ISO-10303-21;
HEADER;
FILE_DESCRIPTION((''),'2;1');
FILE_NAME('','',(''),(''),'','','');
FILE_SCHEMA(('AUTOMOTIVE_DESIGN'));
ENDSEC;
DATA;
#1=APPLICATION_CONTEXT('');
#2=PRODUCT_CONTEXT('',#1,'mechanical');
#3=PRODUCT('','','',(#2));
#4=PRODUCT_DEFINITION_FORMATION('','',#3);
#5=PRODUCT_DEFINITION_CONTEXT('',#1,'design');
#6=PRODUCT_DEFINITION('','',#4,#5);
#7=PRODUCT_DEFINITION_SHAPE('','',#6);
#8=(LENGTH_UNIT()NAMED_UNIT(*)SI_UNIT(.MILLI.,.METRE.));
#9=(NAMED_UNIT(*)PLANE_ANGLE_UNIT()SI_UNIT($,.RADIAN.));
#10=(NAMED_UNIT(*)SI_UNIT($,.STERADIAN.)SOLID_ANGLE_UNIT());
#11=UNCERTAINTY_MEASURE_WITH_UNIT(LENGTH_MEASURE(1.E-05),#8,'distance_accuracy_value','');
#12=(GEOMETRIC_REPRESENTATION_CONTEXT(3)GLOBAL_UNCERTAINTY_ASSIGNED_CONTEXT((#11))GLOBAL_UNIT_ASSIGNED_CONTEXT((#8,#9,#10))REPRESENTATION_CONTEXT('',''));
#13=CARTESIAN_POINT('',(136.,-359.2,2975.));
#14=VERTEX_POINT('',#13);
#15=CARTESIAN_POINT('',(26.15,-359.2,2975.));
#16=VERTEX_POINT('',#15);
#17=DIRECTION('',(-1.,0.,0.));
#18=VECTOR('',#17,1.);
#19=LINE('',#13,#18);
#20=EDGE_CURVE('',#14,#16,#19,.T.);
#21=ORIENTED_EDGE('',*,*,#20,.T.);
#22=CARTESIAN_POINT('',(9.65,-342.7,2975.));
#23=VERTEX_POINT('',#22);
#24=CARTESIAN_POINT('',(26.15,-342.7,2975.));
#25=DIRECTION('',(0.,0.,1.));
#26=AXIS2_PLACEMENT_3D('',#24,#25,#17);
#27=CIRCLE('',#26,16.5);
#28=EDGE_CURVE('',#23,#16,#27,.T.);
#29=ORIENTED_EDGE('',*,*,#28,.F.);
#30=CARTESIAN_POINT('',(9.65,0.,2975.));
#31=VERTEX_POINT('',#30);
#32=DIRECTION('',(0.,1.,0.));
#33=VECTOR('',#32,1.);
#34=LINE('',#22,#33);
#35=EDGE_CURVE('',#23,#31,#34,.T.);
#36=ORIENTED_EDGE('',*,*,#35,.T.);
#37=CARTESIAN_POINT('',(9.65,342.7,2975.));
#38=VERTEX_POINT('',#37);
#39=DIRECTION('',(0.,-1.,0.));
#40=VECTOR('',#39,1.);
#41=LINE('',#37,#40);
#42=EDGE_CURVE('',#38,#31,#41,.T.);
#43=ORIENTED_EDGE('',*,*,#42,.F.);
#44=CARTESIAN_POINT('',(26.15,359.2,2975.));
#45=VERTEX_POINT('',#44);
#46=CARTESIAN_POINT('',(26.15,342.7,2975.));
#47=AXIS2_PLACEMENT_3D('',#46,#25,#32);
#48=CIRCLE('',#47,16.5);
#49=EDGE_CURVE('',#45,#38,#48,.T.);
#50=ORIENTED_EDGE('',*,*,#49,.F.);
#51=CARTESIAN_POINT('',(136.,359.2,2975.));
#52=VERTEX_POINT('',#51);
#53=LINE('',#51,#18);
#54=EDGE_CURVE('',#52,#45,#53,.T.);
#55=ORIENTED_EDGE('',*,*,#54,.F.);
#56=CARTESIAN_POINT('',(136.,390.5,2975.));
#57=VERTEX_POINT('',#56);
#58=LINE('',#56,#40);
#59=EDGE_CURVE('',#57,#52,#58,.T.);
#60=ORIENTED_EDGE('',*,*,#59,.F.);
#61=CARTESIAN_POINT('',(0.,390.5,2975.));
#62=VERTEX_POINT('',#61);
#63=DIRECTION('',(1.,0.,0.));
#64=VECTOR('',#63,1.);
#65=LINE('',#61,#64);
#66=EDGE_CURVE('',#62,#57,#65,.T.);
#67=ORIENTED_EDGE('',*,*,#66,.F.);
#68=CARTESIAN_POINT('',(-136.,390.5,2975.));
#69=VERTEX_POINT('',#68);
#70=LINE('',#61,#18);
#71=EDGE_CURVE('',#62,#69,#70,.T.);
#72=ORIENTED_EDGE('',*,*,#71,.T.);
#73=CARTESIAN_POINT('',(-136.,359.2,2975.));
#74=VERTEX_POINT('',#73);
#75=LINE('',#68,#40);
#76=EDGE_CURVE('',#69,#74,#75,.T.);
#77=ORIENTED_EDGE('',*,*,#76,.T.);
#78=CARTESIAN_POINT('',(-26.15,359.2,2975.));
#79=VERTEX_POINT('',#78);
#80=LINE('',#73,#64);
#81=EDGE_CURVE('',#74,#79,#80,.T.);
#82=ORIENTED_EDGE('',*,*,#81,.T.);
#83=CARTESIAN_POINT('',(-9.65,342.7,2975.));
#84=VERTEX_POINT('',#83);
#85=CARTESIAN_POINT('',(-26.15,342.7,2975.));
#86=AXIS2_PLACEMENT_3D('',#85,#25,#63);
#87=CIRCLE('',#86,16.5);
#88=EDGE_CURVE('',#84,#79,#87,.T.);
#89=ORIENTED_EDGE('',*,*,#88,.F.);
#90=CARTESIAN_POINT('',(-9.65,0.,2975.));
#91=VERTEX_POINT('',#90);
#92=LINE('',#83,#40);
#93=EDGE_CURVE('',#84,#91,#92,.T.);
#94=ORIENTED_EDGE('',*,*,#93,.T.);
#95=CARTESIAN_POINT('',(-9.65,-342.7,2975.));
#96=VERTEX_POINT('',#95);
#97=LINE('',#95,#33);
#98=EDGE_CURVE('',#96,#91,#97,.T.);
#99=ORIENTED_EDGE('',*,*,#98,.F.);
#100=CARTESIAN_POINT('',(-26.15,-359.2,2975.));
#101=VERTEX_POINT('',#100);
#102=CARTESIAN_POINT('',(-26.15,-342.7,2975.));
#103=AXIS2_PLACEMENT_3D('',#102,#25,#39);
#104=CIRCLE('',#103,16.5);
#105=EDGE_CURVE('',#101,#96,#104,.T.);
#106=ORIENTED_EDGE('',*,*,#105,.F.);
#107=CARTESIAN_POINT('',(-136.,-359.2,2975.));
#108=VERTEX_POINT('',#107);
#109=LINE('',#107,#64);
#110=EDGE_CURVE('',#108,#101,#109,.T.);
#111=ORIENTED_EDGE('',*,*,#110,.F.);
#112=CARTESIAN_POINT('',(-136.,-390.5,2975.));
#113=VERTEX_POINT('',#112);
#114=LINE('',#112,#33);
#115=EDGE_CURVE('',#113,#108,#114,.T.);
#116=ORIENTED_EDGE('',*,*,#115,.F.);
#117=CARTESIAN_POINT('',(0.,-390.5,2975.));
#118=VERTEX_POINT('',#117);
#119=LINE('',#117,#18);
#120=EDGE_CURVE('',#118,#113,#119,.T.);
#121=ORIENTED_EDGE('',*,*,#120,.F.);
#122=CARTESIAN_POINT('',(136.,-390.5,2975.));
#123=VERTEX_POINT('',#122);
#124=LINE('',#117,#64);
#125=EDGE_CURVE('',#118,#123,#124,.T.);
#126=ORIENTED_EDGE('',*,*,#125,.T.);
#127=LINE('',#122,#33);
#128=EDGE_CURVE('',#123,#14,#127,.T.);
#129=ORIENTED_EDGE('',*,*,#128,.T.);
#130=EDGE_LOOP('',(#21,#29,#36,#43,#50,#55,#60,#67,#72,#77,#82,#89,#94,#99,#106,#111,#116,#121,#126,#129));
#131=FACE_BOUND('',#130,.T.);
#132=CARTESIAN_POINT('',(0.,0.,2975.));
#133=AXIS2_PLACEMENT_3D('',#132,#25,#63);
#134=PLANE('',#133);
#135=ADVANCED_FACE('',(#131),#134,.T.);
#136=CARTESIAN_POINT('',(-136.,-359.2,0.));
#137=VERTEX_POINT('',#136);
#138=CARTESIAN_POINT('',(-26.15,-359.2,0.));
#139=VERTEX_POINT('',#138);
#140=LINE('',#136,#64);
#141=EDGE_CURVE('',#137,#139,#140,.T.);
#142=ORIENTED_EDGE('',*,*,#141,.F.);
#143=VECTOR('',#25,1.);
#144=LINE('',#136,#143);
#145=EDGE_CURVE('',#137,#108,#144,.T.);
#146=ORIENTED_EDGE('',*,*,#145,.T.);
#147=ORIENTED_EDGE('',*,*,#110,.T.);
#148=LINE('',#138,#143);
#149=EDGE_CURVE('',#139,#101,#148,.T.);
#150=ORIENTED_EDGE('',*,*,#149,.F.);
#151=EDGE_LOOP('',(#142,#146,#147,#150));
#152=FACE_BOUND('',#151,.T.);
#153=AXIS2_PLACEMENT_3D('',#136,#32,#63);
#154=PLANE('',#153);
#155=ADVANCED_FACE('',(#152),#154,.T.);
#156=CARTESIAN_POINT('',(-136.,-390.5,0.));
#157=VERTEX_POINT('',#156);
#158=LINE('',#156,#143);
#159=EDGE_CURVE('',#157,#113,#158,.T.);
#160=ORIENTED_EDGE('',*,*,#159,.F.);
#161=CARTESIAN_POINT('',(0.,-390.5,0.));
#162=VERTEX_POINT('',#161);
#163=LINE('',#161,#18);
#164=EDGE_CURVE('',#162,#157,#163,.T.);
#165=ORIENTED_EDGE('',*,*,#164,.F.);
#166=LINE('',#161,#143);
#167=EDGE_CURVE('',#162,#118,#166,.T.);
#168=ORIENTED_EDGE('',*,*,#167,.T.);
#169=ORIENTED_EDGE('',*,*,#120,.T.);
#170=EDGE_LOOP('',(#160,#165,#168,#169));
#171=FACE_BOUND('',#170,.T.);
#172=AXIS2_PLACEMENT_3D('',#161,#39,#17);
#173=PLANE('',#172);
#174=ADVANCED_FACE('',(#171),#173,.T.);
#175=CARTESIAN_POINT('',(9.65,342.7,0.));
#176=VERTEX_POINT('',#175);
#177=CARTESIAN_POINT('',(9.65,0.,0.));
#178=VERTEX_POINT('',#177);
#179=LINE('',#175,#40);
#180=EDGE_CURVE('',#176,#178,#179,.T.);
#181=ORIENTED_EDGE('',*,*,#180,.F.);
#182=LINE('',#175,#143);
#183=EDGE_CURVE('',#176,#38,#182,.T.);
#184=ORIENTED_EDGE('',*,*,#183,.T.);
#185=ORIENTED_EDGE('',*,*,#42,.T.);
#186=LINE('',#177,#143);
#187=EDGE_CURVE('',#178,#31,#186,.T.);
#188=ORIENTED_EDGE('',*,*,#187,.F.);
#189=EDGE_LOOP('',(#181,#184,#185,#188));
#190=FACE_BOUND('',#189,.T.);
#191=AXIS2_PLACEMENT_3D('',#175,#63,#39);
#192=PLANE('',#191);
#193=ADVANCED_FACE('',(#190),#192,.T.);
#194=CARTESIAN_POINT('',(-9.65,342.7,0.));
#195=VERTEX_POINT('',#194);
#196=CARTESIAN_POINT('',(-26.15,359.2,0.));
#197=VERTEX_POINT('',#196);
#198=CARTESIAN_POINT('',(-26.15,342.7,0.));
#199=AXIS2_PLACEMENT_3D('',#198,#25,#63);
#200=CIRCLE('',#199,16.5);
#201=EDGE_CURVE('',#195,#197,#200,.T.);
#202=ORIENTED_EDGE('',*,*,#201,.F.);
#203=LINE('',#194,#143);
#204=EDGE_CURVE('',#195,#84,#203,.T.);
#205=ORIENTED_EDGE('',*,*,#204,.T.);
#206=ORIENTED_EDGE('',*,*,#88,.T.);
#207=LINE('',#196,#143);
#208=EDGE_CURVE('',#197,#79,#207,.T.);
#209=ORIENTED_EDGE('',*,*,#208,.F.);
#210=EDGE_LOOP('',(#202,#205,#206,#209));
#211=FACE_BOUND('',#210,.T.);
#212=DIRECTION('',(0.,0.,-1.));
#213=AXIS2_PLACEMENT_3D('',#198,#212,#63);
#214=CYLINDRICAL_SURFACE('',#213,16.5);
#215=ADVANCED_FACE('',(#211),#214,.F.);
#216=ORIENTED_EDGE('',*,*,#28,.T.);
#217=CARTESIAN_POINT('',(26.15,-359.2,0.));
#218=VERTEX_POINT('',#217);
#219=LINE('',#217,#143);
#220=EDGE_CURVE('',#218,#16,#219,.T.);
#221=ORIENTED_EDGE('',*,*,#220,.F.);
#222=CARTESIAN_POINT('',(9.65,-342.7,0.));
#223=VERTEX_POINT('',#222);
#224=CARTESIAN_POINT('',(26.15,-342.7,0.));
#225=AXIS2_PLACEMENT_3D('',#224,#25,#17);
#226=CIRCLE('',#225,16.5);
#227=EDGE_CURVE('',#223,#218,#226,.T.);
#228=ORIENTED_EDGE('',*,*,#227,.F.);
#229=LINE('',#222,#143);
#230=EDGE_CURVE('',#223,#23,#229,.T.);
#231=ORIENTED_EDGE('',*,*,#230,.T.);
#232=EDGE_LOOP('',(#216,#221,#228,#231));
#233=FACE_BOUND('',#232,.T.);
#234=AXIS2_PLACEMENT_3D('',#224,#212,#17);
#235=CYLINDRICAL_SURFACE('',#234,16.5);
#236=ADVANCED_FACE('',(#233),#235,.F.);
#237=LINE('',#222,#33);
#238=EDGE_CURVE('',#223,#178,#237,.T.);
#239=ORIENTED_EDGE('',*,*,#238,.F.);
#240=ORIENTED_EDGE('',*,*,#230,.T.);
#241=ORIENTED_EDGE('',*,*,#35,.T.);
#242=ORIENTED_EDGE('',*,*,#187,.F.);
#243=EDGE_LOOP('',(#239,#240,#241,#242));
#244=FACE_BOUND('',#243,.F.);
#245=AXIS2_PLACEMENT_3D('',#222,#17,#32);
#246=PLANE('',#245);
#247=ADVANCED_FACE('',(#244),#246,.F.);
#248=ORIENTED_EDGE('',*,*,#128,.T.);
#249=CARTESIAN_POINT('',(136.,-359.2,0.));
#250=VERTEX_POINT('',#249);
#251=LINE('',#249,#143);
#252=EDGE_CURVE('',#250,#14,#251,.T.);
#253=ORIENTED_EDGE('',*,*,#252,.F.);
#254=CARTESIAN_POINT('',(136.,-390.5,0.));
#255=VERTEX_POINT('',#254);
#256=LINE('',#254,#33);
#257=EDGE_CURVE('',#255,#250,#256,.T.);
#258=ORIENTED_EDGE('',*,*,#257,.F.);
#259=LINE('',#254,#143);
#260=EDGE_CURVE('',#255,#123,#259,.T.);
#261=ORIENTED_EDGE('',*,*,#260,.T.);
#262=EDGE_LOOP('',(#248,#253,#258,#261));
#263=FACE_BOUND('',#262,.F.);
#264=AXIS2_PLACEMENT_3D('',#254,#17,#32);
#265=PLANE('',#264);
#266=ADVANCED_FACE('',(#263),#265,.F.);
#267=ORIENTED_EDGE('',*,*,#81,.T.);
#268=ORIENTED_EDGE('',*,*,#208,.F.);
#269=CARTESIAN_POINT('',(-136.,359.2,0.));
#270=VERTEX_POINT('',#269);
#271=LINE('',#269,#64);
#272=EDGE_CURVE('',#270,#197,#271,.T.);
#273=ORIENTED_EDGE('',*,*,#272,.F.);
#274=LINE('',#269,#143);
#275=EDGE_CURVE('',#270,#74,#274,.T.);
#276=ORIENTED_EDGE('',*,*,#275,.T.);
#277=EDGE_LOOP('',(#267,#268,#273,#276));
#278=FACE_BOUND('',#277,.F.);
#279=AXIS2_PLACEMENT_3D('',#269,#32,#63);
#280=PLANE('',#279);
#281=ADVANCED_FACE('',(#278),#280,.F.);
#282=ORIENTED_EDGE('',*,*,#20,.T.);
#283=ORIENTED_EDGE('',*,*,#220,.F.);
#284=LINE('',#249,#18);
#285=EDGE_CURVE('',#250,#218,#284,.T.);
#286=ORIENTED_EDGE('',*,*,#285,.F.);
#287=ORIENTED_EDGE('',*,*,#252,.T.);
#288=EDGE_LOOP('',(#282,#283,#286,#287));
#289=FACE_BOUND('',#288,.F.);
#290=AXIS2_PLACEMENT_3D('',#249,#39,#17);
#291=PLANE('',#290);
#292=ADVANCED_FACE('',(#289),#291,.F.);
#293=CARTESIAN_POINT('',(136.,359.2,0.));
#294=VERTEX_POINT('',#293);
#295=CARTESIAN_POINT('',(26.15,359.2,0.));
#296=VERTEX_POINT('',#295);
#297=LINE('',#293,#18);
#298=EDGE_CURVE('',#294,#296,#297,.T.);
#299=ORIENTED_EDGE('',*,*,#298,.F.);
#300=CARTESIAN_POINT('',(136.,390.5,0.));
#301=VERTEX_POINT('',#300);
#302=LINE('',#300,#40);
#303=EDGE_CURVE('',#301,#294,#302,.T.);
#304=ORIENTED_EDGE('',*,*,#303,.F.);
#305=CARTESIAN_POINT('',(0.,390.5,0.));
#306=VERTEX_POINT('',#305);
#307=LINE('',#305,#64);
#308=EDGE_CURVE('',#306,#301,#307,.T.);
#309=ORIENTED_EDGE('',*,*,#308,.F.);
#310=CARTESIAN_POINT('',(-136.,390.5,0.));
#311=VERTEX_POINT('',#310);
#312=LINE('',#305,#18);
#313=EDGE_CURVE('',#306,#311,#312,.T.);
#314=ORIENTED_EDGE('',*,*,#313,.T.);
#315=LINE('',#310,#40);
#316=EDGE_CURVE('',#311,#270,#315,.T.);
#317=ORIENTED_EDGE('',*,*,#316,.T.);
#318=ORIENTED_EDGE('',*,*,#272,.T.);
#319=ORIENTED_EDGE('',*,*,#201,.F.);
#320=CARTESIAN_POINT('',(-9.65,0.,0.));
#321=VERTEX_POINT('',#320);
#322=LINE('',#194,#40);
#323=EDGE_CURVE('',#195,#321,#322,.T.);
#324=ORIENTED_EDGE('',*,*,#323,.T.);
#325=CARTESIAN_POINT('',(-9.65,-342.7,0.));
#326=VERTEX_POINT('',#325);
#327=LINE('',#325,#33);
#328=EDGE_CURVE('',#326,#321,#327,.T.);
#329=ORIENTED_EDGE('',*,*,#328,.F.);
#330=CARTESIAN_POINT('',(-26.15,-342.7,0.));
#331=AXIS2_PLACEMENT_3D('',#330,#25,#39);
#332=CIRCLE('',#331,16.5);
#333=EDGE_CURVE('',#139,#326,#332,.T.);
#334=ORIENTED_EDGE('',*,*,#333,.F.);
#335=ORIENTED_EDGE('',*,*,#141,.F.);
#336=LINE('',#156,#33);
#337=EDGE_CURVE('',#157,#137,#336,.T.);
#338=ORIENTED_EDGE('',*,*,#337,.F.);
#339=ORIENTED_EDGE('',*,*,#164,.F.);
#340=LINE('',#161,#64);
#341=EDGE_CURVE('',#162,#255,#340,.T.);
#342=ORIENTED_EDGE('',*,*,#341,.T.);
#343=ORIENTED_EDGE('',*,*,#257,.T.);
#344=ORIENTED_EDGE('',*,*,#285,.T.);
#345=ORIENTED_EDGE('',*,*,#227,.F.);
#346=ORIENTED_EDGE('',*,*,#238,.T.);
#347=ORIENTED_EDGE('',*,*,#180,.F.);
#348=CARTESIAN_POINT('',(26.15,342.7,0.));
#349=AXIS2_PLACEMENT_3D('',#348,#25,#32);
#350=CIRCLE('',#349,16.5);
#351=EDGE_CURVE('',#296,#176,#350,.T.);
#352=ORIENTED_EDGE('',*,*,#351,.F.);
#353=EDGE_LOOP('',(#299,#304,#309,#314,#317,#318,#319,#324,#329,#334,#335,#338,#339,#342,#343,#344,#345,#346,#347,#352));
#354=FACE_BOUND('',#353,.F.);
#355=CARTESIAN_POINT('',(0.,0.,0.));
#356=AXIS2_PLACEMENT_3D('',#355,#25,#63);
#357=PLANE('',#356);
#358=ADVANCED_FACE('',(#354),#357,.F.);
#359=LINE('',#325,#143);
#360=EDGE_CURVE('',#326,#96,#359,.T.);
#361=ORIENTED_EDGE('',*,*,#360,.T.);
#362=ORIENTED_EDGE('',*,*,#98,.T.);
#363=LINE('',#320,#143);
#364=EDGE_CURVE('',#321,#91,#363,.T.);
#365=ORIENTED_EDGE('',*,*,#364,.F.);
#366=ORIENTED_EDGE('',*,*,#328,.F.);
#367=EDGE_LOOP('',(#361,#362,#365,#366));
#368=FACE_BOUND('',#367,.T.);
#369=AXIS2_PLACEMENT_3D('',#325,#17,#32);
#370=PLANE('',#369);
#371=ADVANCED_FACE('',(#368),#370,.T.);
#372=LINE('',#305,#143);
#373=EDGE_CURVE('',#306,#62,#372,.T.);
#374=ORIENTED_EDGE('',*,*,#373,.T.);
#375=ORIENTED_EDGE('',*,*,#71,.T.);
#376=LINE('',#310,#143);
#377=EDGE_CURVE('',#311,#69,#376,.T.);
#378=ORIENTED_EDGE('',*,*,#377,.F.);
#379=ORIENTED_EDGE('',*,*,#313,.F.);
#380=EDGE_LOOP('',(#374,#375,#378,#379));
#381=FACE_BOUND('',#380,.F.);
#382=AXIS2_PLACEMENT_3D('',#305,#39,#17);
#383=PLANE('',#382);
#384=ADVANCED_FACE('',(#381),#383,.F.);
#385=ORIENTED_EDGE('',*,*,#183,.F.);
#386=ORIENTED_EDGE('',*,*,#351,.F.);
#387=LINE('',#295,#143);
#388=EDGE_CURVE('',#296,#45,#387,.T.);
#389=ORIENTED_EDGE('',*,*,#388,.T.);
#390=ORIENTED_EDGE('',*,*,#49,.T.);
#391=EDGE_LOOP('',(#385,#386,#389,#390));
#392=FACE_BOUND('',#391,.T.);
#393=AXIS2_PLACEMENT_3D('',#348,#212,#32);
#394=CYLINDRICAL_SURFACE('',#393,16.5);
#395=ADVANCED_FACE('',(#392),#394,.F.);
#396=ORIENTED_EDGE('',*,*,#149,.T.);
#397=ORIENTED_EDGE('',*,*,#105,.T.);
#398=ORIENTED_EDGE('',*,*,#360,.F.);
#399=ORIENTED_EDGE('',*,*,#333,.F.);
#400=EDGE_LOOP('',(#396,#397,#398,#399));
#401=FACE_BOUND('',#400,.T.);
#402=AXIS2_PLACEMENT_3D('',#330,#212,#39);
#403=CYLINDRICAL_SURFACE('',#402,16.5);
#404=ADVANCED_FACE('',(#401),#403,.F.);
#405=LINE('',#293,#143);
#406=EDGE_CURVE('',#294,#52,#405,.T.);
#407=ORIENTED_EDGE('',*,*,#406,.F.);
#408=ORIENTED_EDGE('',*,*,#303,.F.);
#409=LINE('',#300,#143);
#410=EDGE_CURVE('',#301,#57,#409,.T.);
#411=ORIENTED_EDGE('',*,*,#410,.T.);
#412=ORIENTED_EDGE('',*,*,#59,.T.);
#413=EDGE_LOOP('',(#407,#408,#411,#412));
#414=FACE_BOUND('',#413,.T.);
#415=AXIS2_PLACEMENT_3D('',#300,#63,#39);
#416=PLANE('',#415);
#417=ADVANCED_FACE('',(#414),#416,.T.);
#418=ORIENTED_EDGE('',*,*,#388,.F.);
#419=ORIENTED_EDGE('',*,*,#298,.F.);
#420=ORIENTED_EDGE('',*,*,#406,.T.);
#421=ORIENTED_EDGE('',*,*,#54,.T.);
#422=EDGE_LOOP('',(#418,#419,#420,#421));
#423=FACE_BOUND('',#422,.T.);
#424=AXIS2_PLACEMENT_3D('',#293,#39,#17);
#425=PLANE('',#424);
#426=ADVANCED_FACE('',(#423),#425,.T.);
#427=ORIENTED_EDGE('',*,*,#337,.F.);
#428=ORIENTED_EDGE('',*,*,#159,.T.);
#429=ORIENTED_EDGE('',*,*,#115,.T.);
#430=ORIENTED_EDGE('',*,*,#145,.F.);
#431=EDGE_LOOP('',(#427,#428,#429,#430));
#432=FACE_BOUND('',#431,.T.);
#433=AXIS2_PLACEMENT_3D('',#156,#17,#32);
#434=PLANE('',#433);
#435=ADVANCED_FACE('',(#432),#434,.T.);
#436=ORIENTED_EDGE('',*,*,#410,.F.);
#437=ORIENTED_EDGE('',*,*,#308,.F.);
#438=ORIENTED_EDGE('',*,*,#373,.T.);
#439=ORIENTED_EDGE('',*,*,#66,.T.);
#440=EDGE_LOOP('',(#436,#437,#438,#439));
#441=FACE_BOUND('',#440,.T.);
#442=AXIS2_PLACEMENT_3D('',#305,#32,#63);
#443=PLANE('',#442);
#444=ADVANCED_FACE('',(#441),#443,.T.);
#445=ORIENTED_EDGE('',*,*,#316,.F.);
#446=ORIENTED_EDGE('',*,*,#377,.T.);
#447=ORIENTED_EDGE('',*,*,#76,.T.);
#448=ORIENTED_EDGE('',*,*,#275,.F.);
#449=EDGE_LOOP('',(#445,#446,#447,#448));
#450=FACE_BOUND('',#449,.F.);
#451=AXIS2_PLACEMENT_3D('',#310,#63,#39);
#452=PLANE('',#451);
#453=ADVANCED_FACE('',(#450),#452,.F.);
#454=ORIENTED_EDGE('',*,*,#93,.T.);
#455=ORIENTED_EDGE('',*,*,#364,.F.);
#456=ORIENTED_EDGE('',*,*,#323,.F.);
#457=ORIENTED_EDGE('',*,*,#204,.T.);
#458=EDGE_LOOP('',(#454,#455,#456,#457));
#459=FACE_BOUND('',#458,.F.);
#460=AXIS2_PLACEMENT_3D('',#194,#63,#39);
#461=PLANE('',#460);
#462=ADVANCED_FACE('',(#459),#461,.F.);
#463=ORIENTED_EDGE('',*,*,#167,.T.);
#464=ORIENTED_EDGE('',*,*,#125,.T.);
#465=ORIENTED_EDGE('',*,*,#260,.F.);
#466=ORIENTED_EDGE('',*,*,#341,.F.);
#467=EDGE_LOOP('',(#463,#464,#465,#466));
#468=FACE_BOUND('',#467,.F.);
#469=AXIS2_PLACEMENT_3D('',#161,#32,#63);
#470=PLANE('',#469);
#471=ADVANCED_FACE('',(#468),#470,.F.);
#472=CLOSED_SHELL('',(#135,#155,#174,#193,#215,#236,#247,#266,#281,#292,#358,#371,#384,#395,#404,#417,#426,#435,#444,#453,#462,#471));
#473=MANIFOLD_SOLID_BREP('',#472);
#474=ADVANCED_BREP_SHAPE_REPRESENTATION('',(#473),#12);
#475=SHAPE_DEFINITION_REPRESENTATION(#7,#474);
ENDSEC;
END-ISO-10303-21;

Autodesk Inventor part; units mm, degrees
ref_plane "YZ Plane" through (0, 0, 0) normal (1, 0, 0) x (0, 1, 0)
ref_plane "Start plane" through (0, 0, 0) normal (0, 0, 1) x (1, 0, 0)
ref_plane "End plane" through (0, 0, 2975) normal (0, 0, 1) x (1, 0, 0)
sketch "Sketch" plane through (0, 0, 0) normal (0, 0, 1) x (1, 0, 0)
  line L0 (-136, -390.5) -> (-136, -359.2)
  line L1 (-136, -359.2) -> (-26.15, -359.2)
  line L2 (-9.65, -342.7) -> (-9.65, 0)
  line L3 (-9.65, 0) -> (0, 0) construction
  line L4 (0, 0) -> (0, -390.5) construction
  line L5 (0, -390.5) -> (-136, -390.5)
  line L6 (-60, 0) -> (80, 0) construction
  line L7 (0, -60) -> (0, 80) construction
  line L8 (136, -390.5) -> (136, -359.2)
  line L9 (136, -359.2) -> (26.15, -359.2)
  line L10 (9.65, -342.7) -> (9.65, 0)
  line L11 (9.65, 0) -> (0, 0) construction
  line L12 (0, -390.5) -> (136, -390.5)
  line L13 (-136, 390.5) -> (-136, 359.2)
  line L14 (-136, 359.2) -> (-26.15, 359.2)
  line L15 (-9.65, 342.7) -> (-9.65, 0)
  line L16 (0, 390.5) -> (-136, 390.5)
  line L17 (136, 390.5) -> (136, 359.2)
  line L18 (136, 359.2) -> (26.15, 359.2)
  line L19 (0, 390.5) -> (136, 390.5)
  line L20 (9.65, 342.7) -> (9.65, 0)
  arc A0 (-9.65, 342.7) -> (-26.15, 359.2) centre (-26.15, 342.7) ccw
  arc A1 (26.15, 359.2) -> (9.65, 342.7) centre (26.15, 342.7) ccw
  arc A2 (9.65, -342.7) -> (26.15, -359.2) centre (26.15, -342.7) ccw
  arc A3 (-26.15, -359.2) -> (-9.65, -342.7) centre (-26.15, -342.7) ccw
  line L21 (0, 108) -> (0, -88) construction
  line L22 (-88, 0) -> (108, 0) construction
  point P0 (-9.65, -359.2)
  point P1 (9.65, -359.2)
  point P2 (-9.65, 359.2)
  point P3 (9.65, 359.2)
  dimension "d1" = 390.5
  dimension "d2" = 31.3
  dimension "d3" = 136
  dimension "d4" = 9.65
  dimension "d10" = 16.5
extrude "Body" add sketch "Sketch" along normal up to surface (2975 mm away) from surface at 0
sketch "Sketch4" plane through (0, 0, 0) normal (0, 0, 1) x (1, 0, 0)
  line L0 (0, 0) -> (10, 0)
ref_plane "Work Plane3" through (0, 0, 0) normal (0, -1, 0) x (1, 0, 0)
sketch "Sketch5" plane through (0, 0, 0) normal (0, -1, 0) x (1, 0, 0)
  line L0 (-2, 0) -> (12, 0) projected
  line L1 (-2, 2975) -> (12, 2975) projected
  dimension "d14" = 2975
equation "\"d1\" = 0.5 * G_H"
equation "\"d2\" = G_T1"
equation "\"d3\" = 0.5 * G_W"
equation "\"d4\" = 0.5 * G_T"
equation "\"d10\" = G_IR"
equation "\"d5\" = G_L"
equation "\"G_W\" = 272"
equation "\"G_H\" = 781"
equation "\"G_T\" = 19.3"
equation "\"G_T1\" = 31.3"
equation "\"G_IR\" = 16.5"
equation "\"G_L\" = d14"
equation "\"G_OFFSET_START\" = 0"
equation "\"G_OFFSET_END\" = 0"
equation "\"d12\" = G_OFFSET_END + B_L"
equation "\"B_L\" = 2975"
properties part number "AS 3679-1990 - 760 UB - 244 - 2975" material "Steel, Mild"
